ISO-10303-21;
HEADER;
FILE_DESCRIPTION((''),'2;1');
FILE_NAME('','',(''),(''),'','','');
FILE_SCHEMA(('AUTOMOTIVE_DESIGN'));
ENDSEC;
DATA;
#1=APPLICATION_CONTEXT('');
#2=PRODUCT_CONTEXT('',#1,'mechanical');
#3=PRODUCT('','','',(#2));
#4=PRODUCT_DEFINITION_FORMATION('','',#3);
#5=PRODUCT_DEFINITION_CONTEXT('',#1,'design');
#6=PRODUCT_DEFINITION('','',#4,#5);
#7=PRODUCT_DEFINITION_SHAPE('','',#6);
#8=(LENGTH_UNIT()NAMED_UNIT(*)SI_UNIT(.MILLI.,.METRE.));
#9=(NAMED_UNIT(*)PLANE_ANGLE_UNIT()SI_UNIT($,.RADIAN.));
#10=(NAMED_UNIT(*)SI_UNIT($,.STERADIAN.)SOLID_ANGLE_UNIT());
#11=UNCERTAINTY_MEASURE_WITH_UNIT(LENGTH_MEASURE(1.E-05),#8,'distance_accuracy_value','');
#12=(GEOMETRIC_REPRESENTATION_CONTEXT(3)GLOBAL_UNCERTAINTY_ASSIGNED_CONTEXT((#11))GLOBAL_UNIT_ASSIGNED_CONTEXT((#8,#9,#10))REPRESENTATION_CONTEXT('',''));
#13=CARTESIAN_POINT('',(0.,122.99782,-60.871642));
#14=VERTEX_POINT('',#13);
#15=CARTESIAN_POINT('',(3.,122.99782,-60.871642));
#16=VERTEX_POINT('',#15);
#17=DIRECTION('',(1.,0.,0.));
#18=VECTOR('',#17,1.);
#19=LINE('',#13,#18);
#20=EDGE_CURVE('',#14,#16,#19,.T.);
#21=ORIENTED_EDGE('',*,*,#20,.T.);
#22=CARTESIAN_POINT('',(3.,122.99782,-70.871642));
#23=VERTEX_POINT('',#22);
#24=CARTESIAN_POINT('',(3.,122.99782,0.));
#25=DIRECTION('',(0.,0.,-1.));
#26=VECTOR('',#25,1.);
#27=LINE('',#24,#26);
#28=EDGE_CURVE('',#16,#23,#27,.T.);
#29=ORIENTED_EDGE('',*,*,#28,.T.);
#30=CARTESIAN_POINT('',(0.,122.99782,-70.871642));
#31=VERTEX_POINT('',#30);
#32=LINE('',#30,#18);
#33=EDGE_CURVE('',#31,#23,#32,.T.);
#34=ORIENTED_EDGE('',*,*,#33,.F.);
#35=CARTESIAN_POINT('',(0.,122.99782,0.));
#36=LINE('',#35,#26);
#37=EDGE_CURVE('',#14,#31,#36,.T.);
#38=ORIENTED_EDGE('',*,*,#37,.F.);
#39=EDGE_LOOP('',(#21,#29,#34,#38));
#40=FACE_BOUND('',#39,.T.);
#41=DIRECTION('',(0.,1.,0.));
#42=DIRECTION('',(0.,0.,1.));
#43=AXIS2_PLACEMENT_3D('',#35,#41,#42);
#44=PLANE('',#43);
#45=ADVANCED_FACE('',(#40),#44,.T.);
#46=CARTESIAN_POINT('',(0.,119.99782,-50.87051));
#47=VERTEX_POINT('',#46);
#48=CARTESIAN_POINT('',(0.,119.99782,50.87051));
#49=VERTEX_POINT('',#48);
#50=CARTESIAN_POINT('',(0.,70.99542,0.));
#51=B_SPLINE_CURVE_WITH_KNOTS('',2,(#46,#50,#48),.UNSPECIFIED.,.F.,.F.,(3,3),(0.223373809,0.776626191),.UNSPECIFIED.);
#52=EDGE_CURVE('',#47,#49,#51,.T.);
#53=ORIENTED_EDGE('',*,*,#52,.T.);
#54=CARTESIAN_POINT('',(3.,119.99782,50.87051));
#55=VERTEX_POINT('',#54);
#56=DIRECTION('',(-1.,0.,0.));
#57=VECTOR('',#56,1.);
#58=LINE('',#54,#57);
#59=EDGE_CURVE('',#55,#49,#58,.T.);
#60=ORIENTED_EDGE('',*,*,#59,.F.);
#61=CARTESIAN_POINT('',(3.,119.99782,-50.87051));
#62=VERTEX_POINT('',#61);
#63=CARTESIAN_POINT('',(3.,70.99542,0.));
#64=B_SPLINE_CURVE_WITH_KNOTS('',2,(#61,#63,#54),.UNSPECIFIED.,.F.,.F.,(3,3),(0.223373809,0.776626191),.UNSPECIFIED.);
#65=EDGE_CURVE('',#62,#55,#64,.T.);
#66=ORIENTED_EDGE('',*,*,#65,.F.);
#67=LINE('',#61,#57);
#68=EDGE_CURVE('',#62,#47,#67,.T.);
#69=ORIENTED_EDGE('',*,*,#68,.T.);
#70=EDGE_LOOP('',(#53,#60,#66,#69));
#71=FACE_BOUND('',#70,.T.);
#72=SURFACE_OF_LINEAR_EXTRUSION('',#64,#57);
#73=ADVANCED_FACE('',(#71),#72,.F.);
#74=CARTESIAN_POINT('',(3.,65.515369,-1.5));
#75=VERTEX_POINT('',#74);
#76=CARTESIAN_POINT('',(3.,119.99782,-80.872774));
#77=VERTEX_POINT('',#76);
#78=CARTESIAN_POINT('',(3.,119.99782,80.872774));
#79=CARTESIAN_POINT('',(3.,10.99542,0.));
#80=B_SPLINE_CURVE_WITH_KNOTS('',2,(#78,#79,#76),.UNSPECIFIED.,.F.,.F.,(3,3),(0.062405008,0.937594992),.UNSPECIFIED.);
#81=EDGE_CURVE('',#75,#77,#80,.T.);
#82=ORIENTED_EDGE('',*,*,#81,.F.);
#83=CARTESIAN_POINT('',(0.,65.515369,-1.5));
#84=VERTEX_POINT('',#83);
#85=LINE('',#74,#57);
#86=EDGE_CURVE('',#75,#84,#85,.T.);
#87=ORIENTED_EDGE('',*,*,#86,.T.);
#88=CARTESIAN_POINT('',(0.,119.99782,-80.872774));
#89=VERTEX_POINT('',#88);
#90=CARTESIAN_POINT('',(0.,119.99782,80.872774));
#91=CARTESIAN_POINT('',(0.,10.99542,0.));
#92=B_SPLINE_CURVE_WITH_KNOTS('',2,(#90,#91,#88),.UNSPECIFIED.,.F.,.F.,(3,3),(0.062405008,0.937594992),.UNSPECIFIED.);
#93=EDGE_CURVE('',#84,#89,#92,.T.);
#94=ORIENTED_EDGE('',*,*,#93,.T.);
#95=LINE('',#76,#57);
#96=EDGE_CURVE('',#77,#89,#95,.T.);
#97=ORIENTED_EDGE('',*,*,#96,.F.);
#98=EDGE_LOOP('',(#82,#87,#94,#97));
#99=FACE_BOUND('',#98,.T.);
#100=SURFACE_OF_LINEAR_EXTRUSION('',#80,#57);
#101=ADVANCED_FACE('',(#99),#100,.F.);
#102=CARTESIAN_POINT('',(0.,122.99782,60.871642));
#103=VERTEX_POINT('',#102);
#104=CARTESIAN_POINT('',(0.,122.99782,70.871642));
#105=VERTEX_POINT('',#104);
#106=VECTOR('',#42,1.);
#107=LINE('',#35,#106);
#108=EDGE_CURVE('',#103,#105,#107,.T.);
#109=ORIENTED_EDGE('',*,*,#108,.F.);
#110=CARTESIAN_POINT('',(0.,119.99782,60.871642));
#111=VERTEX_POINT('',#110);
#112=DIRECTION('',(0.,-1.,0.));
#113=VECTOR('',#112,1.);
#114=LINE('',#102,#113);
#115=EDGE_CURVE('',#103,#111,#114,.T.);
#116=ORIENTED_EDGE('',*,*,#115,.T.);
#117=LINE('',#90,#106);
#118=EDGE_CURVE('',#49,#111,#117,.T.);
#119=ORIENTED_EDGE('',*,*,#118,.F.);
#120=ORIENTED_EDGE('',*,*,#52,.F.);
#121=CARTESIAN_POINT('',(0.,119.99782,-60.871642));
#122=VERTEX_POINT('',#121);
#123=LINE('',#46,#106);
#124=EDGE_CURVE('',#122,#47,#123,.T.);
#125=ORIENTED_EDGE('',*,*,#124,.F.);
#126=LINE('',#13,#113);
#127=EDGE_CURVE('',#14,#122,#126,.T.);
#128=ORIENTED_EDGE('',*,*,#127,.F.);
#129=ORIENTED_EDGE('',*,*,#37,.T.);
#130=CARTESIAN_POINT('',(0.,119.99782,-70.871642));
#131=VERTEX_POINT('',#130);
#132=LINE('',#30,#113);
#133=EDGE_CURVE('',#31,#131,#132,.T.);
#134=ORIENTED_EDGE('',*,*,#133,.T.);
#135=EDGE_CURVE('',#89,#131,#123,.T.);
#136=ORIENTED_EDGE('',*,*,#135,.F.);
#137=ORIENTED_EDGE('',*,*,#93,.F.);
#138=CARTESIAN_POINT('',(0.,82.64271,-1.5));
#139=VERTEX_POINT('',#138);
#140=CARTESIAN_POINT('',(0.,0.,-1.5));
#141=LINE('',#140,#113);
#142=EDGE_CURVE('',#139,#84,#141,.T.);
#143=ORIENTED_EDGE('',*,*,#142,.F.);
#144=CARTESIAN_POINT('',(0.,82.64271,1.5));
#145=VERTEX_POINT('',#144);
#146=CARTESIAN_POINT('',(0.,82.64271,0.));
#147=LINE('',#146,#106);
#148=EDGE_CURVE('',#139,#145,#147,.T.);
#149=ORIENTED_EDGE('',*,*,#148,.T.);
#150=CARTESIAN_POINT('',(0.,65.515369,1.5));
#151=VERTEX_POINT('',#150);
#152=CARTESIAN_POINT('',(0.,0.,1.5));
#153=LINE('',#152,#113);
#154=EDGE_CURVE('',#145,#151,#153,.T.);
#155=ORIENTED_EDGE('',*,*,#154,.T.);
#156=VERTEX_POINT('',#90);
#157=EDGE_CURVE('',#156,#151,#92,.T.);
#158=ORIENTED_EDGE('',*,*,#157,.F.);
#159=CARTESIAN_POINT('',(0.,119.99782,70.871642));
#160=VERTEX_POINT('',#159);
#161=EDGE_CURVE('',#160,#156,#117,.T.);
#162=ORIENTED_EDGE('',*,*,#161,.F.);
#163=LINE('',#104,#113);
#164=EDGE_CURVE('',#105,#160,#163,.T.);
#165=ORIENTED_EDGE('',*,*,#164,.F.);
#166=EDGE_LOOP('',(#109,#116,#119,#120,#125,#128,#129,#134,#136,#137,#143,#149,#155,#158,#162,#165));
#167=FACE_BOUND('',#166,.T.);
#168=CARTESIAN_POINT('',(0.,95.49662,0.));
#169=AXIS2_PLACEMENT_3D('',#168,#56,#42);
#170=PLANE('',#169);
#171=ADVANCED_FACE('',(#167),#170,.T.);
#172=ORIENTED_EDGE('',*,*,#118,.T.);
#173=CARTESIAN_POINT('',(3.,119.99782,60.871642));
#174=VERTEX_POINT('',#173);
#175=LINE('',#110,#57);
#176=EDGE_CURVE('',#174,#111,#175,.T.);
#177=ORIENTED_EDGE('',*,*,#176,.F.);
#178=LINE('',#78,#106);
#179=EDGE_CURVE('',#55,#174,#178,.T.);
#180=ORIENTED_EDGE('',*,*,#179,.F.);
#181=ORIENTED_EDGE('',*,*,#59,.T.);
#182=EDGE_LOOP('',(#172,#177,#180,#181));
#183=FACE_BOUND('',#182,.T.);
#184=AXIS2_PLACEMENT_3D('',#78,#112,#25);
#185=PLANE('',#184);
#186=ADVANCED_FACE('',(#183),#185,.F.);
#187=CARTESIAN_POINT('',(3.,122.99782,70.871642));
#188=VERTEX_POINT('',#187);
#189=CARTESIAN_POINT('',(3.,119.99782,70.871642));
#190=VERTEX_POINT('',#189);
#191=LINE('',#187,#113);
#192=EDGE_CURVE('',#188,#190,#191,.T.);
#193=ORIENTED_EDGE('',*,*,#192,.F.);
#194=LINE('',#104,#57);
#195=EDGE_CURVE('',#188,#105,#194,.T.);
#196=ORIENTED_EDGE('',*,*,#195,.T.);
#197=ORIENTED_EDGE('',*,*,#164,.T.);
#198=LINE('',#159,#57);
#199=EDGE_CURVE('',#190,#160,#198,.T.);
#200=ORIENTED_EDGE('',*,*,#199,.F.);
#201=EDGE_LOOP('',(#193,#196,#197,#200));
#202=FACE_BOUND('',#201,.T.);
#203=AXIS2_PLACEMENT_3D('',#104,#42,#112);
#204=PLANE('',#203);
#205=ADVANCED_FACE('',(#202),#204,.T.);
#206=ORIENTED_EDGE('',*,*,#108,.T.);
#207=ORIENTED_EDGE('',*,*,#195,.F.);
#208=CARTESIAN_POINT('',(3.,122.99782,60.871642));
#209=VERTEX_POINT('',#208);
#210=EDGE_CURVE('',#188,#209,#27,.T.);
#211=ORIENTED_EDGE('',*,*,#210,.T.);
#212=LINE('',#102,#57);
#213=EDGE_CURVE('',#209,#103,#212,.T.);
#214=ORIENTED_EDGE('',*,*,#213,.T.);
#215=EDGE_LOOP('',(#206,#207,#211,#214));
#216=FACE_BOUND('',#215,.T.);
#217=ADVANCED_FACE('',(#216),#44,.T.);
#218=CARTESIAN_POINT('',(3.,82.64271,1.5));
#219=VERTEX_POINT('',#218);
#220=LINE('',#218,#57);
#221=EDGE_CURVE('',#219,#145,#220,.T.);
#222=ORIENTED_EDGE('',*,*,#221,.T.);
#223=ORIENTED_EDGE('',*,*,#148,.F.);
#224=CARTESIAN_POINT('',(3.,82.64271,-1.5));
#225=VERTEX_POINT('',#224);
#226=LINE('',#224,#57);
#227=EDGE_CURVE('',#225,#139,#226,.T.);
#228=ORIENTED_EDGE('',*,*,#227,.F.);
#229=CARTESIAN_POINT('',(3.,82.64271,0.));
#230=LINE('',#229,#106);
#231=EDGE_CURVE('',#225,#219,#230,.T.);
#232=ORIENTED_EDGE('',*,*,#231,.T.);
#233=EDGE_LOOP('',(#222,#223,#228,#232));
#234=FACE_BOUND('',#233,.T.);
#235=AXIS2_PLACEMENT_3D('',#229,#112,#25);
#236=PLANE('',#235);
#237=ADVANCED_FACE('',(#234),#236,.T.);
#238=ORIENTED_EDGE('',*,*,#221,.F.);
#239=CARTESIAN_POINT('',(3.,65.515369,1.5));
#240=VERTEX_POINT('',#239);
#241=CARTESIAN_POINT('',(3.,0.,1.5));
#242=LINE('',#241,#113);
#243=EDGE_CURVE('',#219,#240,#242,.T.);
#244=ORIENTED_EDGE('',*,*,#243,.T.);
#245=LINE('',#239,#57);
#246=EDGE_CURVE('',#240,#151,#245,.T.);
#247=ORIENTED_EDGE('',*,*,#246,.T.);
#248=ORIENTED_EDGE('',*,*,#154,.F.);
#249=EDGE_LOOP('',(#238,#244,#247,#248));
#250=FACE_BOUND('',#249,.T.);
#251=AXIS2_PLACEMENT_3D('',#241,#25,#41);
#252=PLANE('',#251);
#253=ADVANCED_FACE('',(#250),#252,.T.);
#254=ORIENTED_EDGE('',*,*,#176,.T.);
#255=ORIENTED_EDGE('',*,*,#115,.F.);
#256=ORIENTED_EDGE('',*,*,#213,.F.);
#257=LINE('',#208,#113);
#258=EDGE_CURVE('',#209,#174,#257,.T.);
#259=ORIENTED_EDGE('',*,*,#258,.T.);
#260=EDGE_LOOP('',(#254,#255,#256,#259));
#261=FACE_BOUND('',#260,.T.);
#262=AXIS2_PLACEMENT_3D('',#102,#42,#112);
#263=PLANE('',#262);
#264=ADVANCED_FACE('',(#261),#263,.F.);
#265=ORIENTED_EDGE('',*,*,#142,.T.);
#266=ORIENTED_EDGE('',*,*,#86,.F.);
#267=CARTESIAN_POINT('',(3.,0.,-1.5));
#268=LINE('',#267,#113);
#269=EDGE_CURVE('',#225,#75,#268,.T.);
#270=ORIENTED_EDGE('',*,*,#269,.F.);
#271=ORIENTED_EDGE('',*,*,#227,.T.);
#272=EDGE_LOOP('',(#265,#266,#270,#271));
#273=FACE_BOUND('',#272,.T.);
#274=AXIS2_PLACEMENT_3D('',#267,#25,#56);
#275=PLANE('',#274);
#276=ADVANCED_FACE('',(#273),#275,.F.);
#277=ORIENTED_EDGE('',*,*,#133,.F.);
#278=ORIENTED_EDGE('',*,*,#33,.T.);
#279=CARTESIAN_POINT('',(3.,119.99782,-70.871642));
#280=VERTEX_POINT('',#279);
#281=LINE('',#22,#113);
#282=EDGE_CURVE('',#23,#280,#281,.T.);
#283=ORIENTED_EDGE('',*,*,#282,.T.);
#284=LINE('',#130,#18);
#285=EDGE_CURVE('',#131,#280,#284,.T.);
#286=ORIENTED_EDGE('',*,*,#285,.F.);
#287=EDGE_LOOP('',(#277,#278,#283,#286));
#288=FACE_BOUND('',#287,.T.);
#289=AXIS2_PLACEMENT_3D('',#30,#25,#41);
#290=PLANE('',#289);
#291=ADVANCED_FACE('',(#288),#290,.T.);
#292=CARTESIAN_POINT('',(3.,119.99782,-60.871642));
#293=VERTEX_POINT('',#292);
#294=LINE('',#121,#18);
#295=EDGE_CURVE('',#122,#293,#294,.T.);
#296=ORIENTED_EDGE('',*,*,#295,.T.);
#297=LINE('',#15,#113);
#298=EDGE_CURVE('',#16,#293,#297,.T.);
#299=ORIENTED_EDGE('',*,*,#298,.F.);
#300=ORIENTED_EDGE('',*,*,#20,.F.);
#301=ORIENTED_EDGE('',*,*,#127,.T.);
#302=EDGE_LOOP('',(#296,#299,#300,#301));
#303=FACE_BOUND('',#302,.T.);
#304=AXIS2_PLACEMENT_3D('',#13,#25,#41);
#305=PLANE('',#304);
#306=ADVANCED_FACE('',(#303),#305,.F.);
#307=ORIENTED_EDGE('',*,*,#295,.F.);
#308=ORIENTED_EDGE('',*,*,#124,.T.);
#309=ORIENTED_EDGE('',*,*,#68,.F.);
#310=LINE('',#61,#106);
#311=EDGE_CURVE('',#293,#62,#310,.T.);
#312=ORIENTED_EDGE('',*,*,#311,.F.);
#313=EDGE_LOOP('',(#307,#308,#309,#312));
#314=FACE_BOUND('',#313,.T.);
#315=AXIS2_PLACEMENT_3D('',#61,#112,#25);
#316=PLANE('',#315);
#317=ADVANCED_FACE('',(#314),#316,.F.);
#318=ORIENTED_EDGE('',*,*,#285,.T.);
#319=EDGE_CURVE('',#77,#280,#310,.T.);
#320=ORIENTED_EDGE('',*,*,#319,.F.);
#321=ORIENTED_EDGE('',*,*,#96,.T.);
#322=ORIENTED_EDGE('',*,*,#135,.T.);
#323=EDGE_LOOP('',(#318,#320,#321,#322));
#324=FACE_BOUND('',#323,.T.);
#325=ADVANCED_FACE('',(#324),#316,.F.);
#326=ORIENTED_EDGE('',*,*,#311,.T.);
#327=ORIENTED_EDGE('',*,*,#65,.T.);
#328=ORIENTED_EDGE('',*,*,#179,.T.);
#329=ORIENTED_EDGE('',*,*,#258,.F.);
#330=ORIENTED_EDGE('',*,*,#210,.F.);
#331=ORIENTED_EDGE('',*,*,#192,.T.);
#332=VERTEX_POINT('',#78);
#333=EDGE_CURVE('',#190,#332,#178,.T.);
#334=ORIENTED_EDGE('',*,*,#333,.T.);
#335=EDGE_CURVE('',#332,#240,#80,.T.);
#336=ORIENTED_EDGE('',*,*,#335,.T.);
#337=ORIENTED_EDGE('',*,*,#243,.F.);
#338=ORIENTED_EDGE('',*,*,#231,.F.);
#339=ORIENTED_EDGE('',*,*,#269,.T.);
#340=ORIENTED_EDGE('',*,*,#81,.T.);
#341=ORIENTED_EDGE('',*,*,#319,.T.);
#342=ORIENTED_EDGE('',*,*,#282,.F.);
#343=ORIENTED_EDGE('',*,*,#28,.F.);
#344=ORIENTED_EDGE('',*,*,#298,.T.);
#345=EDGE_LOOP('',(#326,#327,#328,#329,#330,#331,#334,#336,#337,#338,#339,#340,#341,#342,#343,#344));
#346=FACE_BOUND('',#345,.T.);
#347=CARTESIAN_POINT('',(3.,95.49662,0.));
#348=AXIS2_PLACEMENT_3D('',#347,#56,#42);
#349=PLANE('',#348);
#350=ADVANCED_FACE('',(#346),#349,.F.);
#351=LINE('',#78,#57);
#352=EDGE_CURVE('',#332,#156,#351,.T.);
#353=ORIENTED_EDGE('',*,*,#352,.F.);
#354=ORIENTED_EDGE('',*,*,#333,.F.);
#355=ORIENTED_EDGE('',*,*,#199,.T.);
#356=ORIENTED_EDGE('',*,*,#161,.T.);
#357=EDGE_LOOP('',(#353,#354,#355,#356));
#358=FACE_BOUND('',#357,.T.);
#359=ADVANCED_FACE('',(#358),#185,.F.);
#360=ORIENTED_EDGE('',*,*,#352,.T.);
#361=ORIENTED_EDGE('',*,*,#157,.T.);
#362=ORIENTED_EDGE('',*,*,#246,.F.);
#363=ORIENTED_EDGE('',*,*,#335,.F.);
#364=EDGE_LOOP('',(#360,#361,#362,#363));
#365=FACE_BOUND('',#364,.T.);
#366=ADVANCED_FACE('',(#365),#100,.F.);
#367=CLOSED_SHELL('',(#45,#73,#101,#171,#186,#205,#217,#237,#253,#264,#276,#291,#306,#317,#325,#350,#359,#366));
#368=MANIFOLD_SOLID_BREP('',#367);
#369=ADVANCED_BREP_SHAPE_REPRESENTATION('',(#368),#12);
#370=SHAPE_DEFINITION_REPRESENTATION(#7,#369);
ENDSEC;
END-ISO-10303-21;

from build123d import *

# Parameters (mm, degrees)
EXTRUDE_1_DEPTH     = 3
EXTRUDE_2_DEPTH     = 3
CUT_EXTRUDE_1_DEPTH = 148.234063023


with BuildPart() as part:
    # 草图1 → 凸台-拉伸1 (new body)
    with BuildSketch(Plane(origin=(0, 0, 0), x_dir=(0, 0, -1), z_dir=(1, 0, 0))):
        with BuildLine():
            Line((-80.87277412, 119.997819814), (-50.87050958, 119.997819814))
            add(Edge.make_bspline(
                [(-50.87050958, 119.997819814), (0, 70.995420186), (50.87050958, 119.997819814)],
                knots=[0.223373809, 0.223373809, 0.223373809, 0.776626191, 0.776626191, 0.776626191], degree=2))
            Line((50.87050958, 119.997819814), (80.87277412, 119.997819814))
            add(Edge.make_bspline(
                [(-80.87277412, 119.997819814), (0, 10.995420186), (80.87277412, 119.997819814)],
                knots=[0.062405008, 0.062405008, 0.062405008, 0.937594992, 0.937594992, 0.937594992], degree=2))
        make_face()
    extrude(amount=EXTRUDE_1_DEPTH)

    # 草图2 → 凸台-拉伸2 (add)
    with BuildSketch(Plane(origin=(0, 119.997819814, 0), x_dir=(1, 0, 0), z_dir=(0, 1, 0))):
        Polygon((0, 60.87164185), (1.999962261, 60.87164185), (1.000037739, 70.87164185), (0, 70.87164185), align=None)
        Polygon((1.000037739, 70.87164185), (1.999962261, 60.87164185), (3, 60.87164185), (3, 70.87164185), align=None)
        Polygon((0, -70.87164185), (1.000037739, -70.87164185), (1.999962261, -60.87164185), (0, -60.87164185), align=None)
        Polygon((1.999962261, -60.87164185), (1.000037739, -70.87164185), (3, -70.87164185), (3, -60.87164185), align=None)
    extrude(amount=EXTRUDE_2_DEPTH)

    # 草图3 → 切除-拉伸1 (cut, through all)
    with BuildSketch(Plane.ZY):
        with BuildLine():
            Line((1.5, 82.642709801), (-1.5, 82.642709801))
            Line((-1.5, 82.642709801), (-1.5, 65.51536925))
            add(Edge.make_bspline(
                [(-1.5, 65.51536925), (0, 65.47787075), (1.5, 65.51536925)],
                knots=[0.491883641, 0.491883641, 0.491883641, 0.508116359, 0.508116359, 0.508116359], degree=2))
            Line((1.5, 65.51536925), (1.5, 82.642709801))
        make_face()
    extrude(amount=-CUT_EXTRUDE_1_DEPTH, mode=Mode.SUBTRACT)


solid = part.part
